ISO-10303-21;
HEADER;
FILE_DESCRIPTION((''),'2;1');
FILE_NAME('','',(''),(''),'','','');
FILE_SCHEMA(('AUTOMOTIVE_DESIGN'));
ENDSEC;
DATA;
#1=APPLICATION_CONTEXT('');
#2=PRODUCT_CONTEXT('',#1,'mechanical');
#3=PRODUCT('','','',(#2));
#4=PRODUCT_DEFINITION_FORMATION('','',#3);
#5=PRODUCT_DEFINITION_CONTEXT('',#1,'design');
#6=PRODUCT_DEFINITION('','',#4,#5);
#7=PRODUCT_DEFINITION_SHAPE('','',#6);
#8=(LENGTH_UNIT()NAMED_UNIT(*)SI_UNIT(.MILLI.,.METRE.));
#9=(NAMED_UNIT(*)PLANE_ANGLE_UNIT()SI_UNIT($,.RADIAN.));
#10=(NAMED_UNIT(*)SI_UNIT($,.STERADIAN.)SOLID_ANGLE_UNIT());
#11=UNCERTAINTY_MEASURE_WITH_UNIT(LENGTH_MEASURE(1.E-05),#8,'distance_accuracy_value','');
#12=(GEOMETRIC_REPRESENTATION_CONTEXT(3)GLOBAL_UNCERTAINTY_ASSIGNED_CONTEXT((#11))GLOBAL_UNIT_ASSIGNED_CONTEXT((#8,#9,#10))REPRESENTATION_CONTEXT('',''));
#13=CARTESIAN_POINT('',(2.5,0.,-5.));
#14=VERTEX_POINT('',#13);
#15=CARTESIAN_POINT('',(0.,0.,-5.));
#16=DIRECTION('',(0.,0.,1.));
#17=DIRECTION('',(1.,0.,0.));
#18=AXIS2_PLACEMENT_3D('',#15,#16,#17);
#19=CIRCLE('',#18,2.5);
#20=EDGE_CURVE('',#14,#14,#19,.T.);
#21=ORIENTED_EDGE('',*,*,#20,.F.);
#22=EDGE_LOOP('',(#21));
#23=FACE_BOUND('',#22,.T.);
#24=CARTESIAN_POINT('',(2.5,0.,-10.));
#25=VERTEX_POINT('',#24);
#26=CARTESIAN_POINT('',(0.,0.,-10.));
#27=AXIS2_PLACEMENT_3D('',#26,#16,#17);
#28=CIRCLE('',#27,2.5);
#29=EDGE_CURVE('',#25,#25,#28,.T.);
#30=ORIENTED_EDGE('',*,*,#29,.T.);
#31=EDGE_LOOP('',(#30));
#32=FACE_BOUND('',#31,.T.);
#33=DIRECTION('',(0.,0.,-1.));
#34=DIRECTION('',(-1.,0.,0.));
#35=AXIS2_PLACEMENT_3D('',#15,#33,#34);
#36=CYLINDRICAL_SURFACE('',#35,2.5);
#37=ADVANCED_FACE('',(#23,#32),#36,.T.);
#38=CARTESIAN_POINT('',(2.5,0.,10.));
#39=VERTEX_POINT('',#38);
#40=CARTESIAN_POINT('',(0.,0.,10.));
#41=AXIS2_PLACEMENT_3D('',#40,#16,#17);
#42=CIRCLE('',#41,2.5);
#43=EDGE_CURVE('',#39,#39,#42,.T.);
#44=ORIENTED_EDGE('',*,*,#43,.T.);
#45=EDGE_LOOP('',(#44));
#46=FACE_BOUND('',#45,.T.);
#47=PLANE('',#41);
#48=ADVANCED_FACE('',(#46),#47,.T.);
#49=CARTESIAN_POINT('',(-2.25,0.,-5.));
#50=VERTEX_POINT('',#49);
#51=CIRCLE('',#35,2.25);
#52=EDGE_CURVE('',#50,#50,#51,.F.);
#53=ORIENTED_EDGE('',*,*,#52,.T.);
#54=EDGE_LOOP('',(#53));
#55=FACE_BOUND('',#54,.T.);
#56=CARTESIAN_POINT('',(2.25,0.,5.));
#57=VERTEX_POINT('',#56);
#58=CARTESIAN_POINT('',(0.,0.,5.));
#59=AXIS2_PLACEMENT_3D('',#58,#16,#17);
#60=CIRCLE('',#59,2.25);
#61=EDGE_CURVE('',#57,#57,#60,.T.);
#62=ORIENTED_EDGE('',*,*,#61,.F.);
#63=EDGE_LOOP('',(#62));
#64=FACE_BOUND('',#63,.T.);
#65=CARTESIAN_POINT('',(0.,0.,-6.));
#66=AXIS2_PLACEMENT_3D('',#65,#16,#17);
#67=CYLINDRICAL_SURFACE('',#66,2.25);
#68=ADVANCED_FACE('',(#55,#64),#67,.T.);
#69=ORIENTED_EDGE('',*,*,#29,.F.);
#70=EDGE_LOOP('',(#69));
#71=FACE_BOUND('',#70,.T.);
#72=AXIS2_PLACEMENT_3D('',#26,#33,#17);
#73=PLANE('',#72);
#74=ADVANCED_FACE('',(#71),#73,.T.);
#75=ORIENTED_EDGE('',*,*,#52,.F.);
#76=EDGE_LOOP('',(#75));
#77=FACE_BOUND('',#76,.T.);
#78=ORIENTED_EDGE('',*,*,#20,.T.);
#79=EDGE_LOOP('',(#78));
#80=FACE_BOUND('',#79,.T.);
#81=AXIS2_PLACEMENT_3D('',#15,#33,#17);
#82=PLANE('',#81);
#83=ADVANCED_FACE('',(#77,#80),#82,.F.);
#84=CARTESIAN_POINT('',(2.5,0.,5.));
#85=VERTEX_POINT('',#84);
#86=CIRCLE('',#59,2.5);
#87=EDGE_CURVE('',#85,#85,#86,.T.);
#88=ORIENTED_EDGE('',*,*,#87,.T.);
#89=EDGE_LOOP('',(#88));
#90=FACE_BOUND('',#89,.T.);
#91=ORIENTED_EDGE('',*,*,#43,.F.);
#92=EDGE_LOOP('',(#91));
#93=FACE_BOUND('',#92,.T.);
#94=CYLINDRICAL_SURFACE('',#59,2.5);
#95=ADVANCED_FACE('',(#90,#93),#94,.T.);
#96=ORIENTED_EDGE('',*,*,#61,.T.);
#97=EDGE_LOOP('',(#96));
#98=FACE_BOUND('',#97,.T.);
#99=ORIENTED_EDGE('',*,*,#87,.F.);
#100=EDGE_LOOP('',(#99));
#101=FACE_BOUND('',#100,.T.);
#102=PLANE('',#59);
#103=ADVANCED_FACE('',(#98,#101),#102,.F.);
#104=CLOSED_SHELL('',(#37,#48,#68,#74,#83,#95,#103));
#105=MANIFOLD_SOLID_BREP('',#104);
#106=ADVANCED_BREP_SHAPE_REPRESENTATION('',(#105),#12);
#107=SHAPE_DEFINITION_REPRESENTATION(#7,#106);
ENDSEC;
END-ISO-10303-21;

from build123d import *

# Parameters (mm, degrees)
EXTRUDE_START        = 10
SKETCH_1_R           = 2.5
EXTRUDE_1_DEPTH      = 5
EXTRUDE_2_DEPTH      = 6
EXTRUDE_2_DEPTH_BACK = 6
SKETCH_2_R           = 2.25


with BuildPart() as part:
    # Эскиз1 → Бобышка-Вытянуть1 (new body)
    with BuildSketch(Plane.XY.offset(EXTRUDE_START)):
        Circle(SKETCH_1_R)
    extrude_1 = extrude(amount=-EXTRUDE_1_DEPTH)

    # Эскиз2 → Бобышка-Вытянуть2 (add, two sides: drawn at the far end of the back side and taken through both)
    with BuildSketch(Plane.XY.offset(-EXTRUDE_2_DEPTH_BACK)):
        Circle(SKETCH_2_R)
    extrude(amount=EXTRUDE_2_DEPTH + EXTRUDE_2_DEPTH_BACK)

    # Зеркальное отражение1: Бобышка-Вытянуть1 across plane
    add(extrude_1.mirror(Plane.XY))


solid = part.part
